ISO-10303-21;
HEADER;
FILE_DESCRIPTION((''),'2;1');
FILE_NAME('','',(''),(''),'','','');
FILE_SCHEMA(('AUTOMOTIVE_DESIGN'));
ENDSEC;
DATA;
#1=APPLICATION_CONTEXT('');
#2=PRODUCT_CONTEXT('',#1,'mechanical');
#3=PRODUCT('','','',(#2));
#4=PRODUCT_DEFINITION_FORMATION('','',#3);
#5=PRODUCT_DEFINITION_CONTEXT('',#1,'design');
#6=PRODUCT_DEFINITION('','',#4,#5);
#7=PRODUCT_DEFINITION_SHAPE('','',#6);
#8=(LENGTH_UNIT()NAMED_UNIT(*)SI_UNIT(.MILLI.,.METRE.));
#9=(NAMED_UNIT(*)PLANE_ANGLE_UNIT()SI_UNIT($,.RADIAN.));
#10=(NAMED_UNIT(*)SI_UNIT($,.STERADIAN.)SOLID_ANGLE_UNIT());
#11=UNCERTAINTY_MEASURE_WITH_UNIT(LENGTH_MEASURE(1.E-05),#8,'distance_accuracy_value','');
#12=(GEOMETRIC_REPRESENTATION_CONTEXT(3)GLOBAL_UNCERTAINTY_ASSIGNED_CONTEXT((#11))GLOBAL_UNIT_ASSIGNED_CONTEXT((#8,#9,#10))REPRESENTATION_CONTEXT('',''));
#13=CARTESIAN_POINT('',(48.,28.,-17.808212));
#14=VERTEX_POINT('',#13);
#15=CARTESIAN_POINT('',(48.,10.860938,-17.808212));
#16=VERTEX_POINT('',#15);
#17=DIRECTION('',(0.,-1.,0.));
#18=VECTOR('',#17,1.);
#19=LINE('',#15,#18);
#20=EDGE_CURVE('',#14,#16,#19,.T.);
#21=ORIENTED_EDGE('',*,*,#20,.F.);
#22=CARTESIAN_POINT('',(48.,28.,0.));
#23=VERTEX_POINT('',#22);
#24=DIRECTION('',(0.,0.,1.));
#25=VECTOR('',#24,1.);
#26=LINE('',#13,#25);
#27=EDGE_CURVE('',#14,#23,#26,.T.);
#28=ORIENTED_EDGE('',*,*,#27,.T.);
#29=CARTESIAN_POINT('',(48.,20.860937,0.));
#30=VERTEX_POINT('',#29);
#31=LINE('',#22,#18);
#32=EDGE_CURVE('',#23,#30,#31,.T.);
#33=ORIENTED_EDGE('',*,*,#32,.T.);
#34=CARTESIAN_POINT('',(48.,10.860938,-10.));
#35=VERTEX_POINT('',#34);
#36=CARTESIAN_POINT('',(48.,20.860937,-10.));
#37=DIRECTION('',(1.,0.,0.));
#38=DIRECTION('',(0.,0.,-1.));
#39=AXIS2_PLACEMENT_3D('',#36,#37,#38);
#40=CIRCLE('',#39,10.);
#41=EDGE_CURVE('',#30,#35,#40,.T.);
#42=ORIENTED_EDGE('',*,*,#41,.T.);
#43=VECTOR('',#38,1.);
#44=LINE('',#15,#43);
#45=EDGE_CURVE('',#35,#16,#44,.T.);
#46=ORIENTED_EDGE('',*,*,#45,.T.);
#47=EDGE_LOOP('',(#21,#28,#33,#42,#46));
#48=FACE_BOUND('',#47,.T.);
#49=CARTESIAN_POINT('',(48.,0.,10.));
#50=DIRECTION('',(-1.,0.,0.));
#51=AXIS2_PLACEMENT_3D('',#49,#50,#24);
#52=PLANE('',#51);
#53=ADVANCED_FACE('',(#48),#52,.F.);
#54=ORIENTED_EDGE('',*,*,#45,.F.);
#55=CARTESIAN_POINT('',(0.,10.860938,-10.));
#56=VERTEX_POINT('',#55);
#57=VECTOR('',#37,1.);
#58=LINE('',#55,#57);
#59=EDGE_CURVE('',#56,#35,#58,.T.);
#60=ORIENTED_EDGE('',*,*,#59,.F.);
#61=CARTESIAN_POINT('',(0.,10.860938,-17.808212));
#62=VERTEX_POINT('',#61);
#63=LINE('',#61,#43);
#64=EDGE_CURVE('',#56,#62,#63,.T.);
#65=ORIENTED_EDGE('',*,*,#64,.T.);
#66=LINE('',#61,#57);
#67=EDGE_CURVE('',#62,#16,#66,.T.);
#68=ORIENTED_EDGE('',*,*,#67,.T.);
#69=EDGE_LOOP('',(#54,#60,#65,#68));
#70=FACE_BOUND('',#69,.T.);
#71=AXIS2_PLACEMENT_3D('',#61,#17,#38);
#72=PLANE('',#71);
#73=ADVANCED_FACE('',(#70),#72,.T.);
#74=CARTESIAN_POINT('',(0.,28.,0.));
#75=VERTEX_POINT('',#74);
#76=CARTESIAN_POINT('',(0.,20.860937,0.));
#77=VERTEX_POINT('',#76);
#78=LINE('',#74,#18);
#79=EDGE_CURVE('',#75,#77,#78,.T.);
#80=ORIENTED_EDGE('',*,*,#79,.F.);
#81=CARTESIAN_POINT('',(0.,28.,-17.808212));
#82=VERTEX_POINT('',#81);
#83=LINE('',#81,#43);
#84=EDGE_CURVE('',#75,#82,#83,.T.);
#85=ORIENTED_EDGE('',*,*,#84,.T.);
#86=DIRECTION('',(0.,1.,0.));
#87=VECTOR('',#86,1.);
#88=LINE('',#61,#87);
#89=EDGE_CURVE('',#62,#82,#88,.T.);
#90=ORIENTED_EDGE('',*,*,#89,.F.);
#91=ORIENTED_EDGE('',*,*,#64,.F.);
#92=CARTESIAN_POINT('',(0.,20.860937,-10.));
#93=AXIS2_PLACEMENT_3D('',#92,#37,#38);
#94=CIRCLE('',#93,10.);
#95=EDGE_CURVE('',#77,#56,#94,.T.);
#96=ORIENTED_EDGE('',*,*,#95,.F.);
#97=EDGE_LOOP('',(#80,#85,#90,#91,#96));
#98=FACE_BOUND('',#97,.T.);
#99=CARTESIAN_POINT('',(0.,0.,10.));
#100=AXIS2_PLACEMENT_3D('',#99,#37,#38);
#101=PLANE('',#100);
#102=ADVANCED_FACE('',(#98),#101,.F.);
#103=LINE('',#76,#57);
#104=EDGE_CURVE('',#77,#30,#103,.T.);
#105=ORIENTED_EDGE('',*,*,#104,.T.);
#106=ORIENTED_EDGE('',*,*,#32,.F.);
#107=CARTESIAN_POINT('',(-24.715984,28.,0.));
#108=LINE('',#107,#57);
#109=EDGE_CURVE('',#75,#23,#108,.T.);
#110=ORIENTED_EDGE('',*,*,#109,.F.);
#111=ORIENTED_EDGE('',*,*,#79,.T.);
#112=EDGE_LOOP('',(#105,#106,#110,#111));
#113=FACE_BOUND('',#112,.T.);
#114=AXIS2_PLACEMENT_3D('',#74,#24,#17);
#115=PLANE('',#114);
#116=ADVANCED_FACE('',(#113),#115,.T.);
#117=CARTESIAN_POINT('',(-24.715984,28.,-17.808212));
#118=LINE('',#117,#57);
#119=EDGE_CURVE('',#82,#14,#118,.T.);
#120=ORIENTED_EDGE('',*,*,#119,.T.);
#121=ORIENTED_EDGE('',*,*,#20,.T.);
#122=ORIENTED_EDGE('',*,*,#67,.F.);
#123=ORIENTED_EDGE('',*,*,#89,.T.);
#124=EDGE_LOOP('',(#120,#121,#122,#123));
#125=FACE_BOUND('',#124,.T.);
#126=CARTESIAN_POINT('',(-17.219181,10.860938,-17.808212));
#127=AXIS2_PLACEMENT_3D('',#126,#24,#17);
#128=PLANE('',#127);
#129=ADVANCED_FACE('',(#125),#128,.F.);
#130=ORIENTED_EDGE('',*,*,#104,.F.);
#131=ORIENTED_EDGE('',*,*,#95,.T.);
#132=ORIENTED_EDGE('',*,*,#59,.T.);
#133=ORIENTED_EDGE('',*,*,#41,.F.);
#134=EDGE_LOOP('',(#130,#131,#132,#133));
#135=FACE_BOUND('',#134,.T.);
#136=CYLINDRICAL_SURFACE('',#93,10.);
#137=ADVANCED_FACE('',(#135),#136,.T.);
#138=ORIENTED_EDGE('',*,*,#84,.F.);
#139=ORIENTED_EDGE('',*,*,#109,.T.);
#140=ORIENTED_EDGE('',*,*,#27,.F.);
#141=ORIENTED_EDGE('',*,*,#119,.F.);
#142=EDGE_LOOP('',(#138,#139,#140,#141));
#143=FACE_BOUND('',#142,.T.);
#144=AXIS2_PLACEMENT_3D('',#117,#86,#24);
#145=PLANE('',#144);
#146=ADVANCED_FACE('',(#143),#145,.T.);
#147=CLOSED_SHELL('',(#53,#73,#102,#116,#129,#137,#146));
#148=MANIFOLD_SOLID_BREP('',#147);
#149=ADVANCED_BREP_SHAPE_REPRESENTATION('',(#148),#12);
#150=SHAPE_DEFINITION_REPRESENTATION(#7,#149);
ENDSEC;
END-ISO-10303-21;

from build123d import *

# Parameters (mm, degrees)
SKETCH1_W            = 48
SKETCH1_H            = 53
BOSS_EXTRUDE1_DEPTH  = 10
SKETCH2_W            = 48
SKETCH2_H            = 5.616325
BOSS_EXTRUDE2_DEPTH  = 33.1917878
SKETCH4_W            = 4
SKETCH4_H            = 10
BOSS_EXTRUDE4_DEPTH  = 40
SKETCH5_W            = 48
SKETCH5_H            = 10.8609375
BOSS_EXTRUDE5_DEPTH  = 23.1917878
SKETCH6_W            = 48
SKETCH6_H            = 5
BOSS_EXTRUDE6_DEPTH  = 42.3
SKETCH7_W            = 12.8082122
SKETCH7_H            = 16.4772625
BOSS_EXTRUDE7_DEPTH  = 48
CUT_EXTRUDE1_REACH   = 84.426
SKETCH8_R            = 11.5
SKETCH8_R_2          = 2
FILLET1_R            = 10
FILLET2_R            = 4
SKETCH9_W            = 5
SKETCH9_H            = 16.4772625
BOSS_EXTRUDE9_DEPTH  = 48
CUT_EXTRUDE2_DEPTH   = 6
SKETCH11_R           = 1.9304
CUT_EXTRUDE3_DEPTH   = 6
BOSS_EXTRUDE11_DEPTH = 3
BOSS_EXTRUDE12_DEPTH = 48
SKETCH14_W           = 119.824941969
SKETCH14_H           = 122.237524693
CUT_EXTRUDE4_DEPTH   = 90.10667764


with BuildPart() as part:
    # Sketch1 → Boss-Extrude1 (new body)
    with BuildSketch(Plane.XY):
        with Locations((24, 26.5)):
            Rectangle(SKETCH1_W, SKETCH1_H)
    extrude(amount=BOSS_EXTRUDE1_DEPTH)

    # Sketch2 → Boss-Extrude2 (add)
    with BuildSketch(Plane(origin=(0, 0, 0), x_dir=(-1, 0, 0), z_dir=(0, 0, -1))):
        with Locations((-24, -2.8081625)):
            Rectangle(SKETCH2_W, SKETCH2_H)
    extrude(amount=-BOSS_EXTRUDE2_DEPTH)

    # Sketch4 → Boss-Extrude4 (add)
    with BuildSketch(Plane.XY.offset(10)):
        with Locations((2, 48)):
            Rectangle(SKETCH4_W, SKETCH4_H)
        with Locations((46, 48)):
            Rectangle(SKETCH4_W, SKETCH4_H)
    extrude(amount=BOSS_EXTRUDE4_DEPTH)

    # Sketch5 → Boss-Extrude5 (add)
    with BuildSketch(Plane.XY.offset(10)):
        with Locations((24, 5.43046875)):
            Rectangle(SKETCH5_W, SKETCH5_H)
    extrude(amount=BOSS_EXTRUDE5_DEPTH)

    # Sketch6 → Boss-Extrude6 (add)
    with BuildSketch(Plane.XZ.offset(5.616325)):
        with Locations((24, 30.6917878)):
            Rectangle(SKETCH6_W, SKETCH6_H)
    extrude(amount=BOSS_EXTRUDE6_DEPTH)

    # Sketch7 → Boss-Extrude7 (add)
    with BuildSketch(Plane.ZY):
        with Locations((-6.4041061, 2.62230625)):
            Rectangle(SKETCH7_W, SKETCH7_H)
    extrude(amount=-BOSS_EXTRUDE7_DEPTH)

    # Sketch8 → Cut-Extrude1 (cut, up to next)
    with BuildSketch(Plane(origin=(0, 0, 28.1917878), x_dir=(-1, 0, 0), z_dir=(0, 0, -1)), mode=Mode.PRIVATE) as cut_extrude1_sk1:
        with Locations((-24, -26.616325)):
            Circle(SKETCH8_R)
    cut_extrude1_tool1 = extrude(cut_extrude1_sk1.sketch, amount=-CUT_EXTRUDE1_REACH, mode=Mode.PRIVATE) & part.part
    # Sketch8 → Cut-Extrude1 (cut, up to next)
    with BuildSketch(Plane(origin=(0, 0, 28.1917878), x_dir=(-1, 0, 0), z_dir=(0, 0, -1)), mode=Mode.PRIVATE) as cut_extrude1_sk2:
        with Locations((-39.5, -11.116325)):
            Circle(SKETCH8_R_2)
    cut_extrude1_tool2 = extrude(cut_extrude1_sk2.sketch, amount=-CUT_EXTRUDE1_REACH, mode=Mode.PRIVATE) & part.part
    # Sketch8 → Cut-Extrude1 (cut, up to next)
    with BuildSketch(Plane(origin=(0, 0, 28.1917878), x_dir=(-1, 0, 0), z_dir=(0, 0, -1)), mode=Mode.PRIVATE) as cut_extrude1_sk3:
        with Locations((-39.5, -42.116325)):
            Circle(SKETCH8_R_2)
    cut_extrude1_tool3 = extrude(cut_extrude1_sk3.sketch, amount=-CUT_EXTRUDE1_REACH, mode=Mode.PRIVATE) & part.part
    # Sketch8 → Cut-Extrude1 (cut, up to next)
    with BuildSketch(Plane(origin=(0, 0, 28.1917878), x_dir=(-1, 0, 0), z_dir=(0, 0, -1)), mode=Mode.PRIVATE) as cut_extrude1_sk4:
        with Locations((-8.5, -11.116325)):
            Circle(SKETCH8_R_2)
    cut_extrude1_tool4 = extrude(cut_extrude1_sk4.sketch, amount=-CUT_EXTRUDE1_REACH, mode=Mode.PRIVATE) & part.part
    # Sketch8 → Cut-Extrude1 (cut, up to next)
    with BuildSketch(Plane(origin=(0, 0, 28.1917878), x_dir=(-1, 0, 0), z_dir=(0, 0, -1)), mode=Mode.PRIVATE) as cut_extrude1_sk5:
        with Locations((-8.5, -42.116325)):
            Circle(SKETCH8_R_2)
    cut_extrude1_tool5 = extrude(cut_extrude1_sk5.sketch, amount=-CUT_EXTRUDE1_REACH, mode=Mode.PRIVATE) & part.part
    add(cut_extrude1_tool1.solids().sort_by_distance((24, -26.616325, 28.191788))[0], mode=Mode.SUBTRACT)
    add(cut_extrude1_tool2.solids().sort_by_distance((39.5, -11.116325, 28.191788))[0], mode=Mode.SUBTRACT)
    add(cut_extrude1_tool3.solids().sort_by_distance((39.5, -42.116325, 28.191788))[0], mode=Mode.SUBTRACT)
    add(cut_extrude1_tool4.solids().sort_by_distance((8.5, -11.116325, 28.191788))[0], mode=Mode.SUBTRACT)
    add(cut_extrude1_tool5.solids().sort_by_distance((8.5, -42.116325, 28.191788))[0], mode=Mode.SUBTRACT)

    # Fillet1
    fillet1_edges = [part.edges().sort_by_distance(p)[0] for p in [
        (24, 10.8609375, 0),
    ]]
    fillet(fillet1_edges, radius=FILLET1_R)

    # Fillet2
    fillet2_edges = [part.edges().sort_by_distance(p)[0] for p in [
        (2, 43, 10),
        (46, 43, 10),
    ]]
    fillet(fillet2_edges, radius=FILLET2_R)

    # Sketch9 → Boss-Extrude9 (add)
    with BuildSketch(Plane(origin=(48, 0, 0), x_dir=(0, 0, -1), z_dir=(1, 0, 0))):
        with Locations((15.3082122, 2.62230625)):
            Rectangle(SKETCH9_W, SKETCH9_H)
    extrude(amount=-BOSS_EXTRUDE9_DEPTH)

    # Sketch10 → Cut-Extrude2 (cut)
    with BuildSketch(Plane.XY.offset(10)):
        Polygon((12.429, 36.979734073), (9, 38.959468146), (5.571, 36.979734073), (5.571, 33.020265927), (9, 31.040531854), (12.429, 33.020265927), align=None)
        Polygon((35.571, 36.979734073), (35.571, 33.020265927), (39, 31.040531854), (42.429, 33.020265927), (42.429, 36.979734073), (39, 38.959468146), align=None)
    extrude(amount=-CUT_EXTRUDE2_DEPTH, mode=Mode.SUBTRACT)

    # Sketch11 → Cut-Extrude3 (cut)
    with BuildSketch(Plane.XY.offset(4)):
        with Locations((9, 35)):
            Circle(SKETCH11_R)
        with Locations((39, 35)):
            Circle(SKETCH11_R)
    extrude(amount=-CUT_EXTRUDE3_DEPTH, mode=Mode.SUBTRACT)

    # Sketch12 → Boss-Extrude11 (add)
    with BuildSketch(Plane(origin=(0, 53, 0), x_dir=(1, 0, 0), z_dir=(0, 1, 0))):
        Polygon((0, 0), (0, -50), (4, -50), (4, -10), (44, -10), (44, -50), (48, -50), (48, 0), align=None)
    extrude(amount=BOSS_EXTRUDE11_DEPTH)

    # Sketch13 → Boss-Extrude12 (add)
    with BuildSketch(Plane(origin=(48, 0, 0), x_dir=(0, 0, -1), z_dir=(1, 0, 0))):
        with BuildLine():
            Line((17.8082122, 10.8609375), (10, 10.8609375))
            ThreePointArc((10, 10.8609375), (2.928932188, 13.789869688), (0, 20.8609375))
            Line((0, 20.8609375), (0, 28))
            Line((0, 28), (17.8082122, 28))
            Line((17.8082122, 28), (17.8082122, 10.8609375))
        make_face()
    extrude(amount=-BOSS_EXTRUDE12_DEPTH)

    # Sketch14 → Cut-Extrude4 (cut, through all)
    with BuildSketch(Plane(origin=(48, 0, 0), x_dir=(0, 0, -1), z_dir=(1, 0, 0))):
        with Locations((-16.90365686, 8.216937598)):
            Rectangle(SKETCH14_W, SKETCH14_H)
        with BuildLine():
            Line((0, 28), (0, 20.8609375))
            ThreePointArc((0, 20.8609375), (2.928932188, 13.789869688), (10, 10.8609375))
            Line((10, 10.8609375), (17.8082122, 10.8609375))
            Line((17.8082122, 10.8609375), (17.8082122, 28))
            Line((17.8082122, 28), (0, 28))
        make_face(mode=Mode.SUBTRACT)
    extrude(amount=-CUT_EXTRUDE4_DEPTH, mode=Mode.SUBTRACT)


solid = part.part
